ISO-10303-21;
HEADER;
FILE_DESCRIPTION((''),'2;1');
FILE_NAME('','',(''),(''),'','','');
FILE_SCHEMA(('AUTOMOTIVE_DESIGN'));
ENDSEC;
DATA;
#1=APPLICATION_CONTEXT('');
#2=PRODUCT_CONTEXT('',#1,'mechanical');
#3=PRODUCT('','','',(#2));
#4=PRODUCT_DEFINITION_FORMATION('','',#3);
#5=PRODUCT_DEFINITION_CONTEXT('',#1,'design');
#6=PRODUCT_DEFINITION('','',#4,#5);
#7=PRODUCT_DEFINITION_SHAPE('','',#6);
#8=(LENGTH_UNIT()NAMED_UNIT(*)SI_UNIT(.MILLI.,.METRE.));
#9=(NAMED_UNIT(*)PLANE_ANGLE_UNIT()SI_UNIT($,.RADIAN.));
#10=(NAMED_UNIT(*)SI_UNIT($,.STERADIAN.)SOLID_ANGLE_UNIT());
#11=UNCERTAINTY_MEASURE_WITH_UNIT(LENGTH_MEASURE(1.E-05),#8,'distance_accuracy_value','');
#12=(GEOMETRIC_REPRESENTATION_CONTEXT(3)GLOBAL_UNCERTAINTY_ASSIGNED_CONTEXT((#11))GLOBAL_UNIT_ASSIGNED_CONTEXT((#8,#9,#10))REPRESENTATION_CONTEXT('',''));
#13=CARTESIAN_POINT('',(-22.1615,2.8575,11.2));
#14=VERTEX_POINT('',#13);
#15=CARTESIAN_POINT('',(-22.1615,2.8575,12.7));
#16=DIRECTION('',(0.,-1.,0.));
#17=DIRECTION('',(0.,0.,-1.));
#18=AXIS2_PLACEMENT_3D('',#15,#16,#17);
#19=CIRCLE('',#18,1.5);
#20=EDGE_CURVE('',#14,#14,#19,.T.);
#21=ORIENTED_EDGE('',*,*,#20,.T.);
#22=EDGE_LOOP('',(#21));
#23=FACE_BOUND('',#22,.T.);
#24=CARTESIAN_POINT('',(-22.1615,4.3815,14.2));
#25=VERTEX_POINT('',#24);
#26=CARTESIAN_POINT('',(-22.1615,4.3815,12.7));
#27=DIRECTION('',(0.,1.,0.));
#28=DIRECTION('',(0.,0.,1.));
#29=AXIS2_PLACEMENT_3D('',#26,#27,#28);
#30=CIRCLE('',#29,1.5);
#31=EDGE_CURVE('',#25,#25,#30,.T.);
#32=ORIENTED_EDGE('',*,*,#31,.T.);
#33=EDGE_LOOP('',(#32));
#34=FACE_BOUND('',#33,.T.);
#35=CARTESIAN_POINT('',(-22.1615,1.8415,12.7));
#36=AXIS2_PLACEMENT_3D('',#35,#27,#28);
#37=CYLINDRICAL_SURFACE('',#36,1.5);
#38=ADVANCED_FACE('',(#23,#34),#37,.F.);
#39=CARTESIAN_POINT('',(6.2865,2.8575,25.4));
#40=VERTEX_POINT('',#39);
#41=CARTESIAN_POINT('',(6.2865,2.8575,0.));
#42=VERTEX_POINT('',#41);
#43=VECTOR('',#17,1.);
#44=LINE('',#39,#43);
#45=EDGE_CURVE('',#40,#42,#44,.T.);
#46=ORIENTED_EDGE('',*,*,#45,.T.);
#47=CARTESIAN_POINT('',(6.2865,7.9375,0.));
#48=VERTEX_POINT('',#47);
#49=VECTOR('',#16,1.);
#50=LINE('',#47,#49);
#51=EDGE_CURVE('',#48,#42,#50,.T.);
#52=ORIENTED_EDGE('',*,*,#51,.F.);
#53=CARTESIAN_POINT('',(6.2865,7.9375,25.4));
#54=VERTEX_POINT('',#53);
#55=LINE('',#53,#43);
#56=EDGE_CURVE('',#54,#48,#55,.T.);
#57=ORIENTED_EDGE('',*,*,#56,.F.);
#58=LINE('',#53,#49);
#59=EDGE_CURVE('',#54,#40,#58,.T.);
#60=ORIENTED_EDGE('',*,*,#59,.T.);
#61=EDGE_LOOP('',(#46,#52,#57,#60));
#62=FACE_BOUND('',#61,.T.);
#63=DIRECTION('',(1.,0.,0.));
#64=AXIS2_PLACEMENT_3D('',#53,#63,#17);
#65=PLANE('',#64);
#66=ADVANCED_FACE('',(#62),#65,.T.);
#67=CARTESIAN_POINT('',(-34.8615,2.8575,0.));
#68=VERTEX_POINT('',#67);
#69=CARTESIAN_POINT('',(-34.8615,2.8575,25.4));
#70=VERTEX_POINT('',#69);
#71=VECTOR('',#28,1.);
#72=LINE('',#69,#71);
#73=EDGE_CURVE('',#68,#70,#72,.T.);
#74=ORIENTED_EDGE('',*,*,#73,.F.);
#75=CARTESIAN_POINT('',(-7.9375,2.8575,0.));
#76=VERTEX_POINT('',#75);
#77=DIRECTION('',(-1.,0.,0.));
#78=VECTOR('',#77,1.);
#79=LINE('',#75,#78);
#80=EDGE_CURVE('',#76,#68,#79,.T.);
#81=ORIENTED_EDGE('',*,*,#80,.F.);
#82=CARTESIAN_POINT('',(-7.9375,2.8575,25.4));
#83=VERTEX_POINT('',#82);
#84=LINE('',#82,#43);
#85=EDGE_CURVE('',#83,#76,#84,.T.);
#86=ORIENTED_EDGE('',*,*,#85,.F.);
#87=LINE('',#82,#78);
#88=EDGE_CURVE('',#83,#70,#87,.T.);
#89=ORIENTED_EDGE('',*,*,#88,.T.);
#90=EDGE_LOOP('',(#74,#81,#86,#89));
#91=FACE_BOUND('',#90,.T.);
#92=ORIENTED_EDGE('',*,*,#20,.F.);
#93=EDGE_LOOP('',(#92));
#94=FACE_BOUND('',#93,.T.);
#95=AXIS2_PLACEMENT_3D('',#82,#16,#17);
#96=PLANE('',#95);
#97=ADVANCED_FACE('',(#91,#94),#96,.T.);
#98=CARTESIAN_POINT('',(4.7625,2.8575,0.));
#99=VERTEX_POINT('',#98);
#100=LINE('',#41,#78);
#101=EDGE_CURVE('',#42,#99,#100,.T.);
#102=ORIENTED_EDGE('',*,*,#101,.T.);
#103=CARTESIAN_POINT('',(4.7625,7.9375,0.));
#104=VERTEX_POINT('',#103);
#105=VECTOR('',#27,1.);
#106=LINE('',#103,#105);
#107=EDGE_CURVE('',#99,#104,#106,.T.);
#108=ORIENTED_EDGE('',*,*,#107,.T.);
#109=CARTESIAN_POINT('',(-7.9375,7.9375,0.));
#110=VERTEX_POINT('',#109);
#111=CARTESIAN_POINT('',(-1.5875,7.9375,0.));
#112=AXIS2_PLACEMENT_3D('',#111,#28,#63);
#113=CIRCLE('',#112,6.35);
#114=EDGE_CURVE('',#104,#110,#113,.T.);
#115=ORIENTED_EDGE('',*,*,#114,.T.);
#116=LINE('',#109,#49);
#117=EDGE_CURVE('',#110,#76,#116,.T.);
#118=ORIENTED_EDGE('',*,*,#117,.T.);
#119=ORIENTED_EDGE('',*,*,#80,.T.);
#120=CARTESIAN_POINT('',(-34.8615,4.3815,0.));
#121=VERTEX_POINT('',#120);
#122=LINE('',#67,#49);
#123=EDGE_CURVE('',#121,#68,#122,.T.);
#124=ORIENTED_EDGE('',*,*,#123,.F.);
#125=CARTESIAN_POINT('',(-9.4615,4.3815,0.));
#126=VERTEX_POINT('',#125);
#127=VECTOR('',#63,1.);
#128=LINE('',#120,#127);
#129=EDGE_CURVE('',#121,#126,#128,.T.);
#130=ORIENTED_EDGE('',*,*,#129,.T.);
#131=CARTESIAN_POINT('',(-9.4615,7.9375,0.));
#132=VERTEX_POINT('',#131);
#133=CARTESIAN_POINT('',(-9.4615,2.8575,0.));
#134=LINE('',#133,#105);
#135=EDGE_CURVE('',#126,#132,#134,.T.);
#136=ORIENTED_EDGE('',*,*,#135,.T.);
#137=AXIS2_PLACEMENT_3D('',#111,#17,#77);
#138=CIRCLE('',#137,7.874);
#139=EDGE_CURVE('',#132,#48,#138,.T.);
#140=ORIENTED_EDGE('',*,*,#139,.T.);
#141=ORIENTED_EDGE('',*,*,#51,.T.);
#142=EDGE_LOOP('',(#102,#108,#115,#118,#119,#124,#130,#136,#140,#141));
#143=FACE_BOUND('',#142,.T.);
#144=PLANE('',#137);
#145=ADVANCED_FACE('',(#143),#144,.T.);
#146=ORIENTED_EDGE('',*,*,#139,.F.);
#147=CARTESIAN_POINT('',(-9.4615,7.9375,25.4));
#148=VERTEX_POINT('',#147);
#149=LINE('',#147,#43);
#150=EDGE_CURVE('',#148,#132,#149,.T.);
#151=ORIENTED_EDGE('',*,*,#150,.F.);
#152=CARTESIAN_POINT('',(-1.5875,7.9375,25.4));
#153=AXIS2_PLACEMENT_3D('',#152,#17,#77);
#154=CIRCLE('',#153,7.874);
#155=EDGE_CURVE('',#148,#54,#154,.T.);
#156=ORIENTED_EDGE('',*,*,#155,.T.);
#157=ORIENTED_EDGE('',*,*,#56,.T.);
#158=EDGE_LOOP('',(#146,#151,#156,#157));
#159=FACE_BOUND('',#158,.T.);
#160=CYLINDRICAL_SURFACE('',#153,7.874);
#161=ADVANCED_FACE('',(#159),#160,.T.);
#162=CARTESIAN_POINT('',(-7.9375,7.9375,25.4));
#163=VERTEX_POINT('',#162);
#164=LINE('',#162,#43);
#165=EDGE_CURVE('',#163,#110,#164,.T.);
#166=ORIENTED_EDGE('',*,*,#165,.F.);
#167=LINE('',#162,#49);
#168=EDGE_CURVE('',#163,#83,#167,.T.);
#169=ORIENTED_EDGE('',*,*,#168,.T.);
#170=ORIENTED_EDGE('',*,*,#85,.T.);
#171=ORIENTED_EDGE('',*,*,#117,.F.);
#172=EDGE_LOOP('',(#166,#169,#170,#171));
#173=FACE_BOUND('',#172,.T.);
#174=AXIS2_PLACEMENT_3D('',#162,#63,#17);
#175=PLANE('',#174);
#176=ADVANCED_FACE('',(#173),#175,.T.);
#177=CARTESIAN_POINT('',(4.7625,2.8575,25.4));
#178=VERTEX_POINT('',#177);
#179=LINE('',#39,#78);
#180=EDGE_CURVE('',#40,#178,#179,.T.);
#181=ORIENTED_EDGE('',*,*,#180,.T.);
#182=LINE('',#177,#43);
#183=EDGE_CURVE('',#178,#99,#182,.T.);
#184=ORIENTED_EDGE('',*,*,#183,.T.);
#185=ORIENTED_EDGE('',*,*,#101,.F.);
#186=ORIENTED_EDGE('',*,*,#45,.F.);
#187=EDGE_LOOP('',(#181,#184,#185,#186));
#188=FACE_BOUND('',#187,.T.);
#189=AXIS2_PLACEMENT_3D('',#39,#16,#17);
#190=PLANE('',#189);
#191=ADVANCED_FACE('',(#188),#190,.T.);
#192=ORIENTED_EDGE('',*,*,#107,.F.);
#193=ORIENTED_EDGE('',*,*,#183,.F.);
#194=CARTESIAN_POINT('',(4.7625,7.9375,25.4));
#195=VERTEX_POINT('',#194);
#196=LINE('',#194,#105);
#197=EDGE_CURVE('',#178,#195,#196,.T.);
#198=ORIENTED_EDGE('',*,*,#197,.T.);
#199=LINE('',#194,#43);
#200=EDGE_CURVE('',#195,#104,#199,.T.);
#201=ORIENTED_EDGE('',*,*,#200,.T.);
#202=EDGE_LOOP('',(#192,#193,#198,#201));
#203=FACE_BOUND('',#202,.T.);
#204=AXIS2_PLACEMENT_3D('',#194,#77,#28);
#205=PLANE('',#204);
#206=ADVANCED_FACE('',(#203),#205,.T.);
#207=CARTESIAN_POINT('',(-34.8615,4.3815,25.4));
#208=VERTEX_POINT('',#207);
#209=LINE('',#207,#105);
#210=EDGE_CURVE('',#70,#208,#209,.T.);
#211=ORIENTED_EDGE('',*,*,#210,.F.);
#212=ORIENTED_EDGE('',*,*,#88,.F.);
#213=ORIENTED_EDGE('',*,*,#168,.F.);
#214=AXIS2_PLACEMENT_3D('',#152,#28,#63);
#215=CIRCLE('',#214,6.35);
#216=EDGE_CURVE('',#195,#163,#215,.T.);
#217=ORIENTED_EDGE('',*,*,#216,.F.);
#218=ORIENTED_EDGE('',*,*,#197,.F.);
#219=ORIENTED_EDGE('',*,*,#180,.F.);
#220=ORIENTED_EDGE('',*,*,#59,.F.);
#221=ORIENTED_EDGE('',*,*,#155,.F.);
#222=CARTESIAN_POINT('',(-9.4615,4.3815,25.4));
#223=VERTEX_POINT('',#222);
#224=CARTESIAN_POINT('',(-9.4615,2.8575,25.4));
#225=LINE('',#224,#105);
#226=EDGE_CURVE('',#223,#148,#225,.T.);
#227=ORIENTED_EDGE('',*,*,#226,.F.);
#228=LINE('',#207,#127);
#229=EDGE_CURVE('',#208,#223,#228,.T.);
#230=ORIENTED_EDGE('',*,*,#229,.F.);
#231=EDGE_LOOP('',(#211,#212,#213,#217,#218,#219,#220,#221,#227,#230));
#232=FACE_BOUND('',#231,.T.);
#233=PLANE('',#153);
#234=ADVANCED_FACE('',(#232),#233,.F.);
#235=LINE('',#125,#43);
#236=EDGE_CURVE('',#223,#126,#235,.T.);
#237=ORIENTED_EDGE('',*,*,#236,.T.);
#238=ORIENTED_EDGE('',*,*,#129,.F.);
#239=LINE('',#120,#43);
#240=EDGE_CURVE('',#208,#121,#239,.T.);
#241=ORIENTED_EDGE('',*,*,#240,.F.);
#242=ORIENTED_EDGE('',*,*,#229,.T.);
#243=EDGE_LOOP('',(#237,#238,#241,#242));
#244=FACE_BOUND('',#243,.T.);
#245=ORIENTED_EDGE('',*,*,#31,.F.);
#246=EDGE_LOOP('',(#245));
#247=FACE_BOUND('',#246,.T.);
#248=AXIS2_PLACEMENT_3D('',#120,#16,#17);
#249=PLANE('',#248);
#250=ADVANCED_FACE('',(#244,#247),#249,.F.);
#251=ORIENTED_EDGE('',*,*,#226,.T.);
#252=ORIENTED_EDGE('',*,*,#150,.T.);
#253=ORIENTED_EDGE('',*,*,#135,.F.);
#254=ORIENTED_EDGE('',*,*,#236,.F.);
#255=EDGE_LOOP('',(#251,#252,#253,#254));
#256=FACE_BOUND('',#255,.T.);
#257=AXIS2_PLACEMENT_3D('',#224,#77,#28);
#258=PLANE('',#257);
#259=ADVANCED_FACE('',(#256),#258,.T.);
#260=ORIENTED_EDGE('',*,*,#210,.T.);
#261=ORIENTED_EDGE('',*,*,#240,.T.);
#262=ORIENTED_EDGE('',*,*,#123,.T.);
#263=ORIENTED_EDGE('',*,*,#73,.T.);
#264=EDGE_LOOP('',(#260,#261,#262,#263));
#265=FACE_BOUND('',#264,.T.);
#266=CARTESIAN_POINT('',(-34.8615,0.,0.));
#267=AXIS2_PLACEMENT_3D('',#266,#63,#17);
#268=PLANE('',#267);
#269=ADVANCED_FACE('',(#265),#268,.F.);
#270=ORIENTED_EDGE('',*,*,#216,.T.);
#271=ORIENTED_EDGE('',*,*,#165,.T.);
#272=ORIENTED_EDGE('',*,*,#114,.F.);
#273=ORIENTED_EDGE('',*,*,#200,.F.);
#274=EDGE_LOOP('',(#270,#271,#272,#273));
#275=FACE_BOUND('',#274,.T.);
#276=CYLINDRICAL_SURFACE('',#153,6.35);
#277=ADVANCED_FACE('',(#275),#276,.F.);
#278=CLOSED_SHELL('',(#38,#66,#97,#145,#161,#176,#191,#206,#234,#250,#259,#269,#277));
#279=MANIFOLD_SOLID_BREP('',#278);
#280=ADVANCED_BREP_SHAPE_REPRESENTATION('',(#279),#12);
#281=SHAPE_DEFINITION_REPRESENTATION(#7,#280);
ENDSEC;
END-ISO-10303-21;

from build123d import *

# Parameters (mm, degrees)
BOSS_EXTRUDE1_DEPTH = 25.4
SKETCH2_W           = 25.4
SKETCH2_H           = 1.524
BOSS_EXTRUDE2_DEPTH = 25.4
SKETCH5_R           = 1.5
CUT_EXTRUDE1_DEPTH  = 2.54


with BuildPart() as part:
    # Sketch1 → Boss-Extrude1 (new body)
    with BuildSketch(Plane(origin=(0, 0, 0), x_dir=(-1, 0, 0), z_dir=(0, 0, -1))):
        with BuildLine():
            Line((7.9375, 2.8575), (9.4615, 2.8575))
            Line((9.4615, 2.8575), (9.4615, 7.9375))
            ThreePointArc((9.4615, 7.9375), (1.5875, 15.8115), (-6.2865, 7.9375))
            Line((-6.2865, 7.9375), (-6.2865, 2.8575))
            Line((-6.2865, 2.8575), (-4.7625, 2.8575))
            Line((-4.7625, 2.8575), (-4.7625, 7.9375))
            ThreePointArc((-4.7625, 7.9375), (1.5875, 14.2875), (7.9375, 7.9375))
            Line((7.9375, 7.9375), (7.9375, 2.8575))
        make_face()
    extrude(amount=-BOSS_EXTRUDE1_DEPTH)

    # Sketch2 → Boss-Extrude2 (add)
    with BuildSketch(Plane.ZY.offset(9.4615)):
        with Locations((12.7, 3.6195)):
            Rectangle(SKETCH2_W, SKETCH2_H)
    extrude(amount=BOSS_EXTRUDE2_DEPTH)

    # Sketch5 → Cut-Extrude1 (cut)
    with BuildSketch(Plane(origin=(0, 4.3815, 0), x_dir=(1, 0, 0), z_dir=(0, 1, 0))):
        with Locations((-22.1615, -12.7)):
            Circle(SKETCH5_R)
    extrude(amount=-CUT_EXTRUDE1_DEPTH, mode=Mode.SUBTRACT)


solid = part.part
